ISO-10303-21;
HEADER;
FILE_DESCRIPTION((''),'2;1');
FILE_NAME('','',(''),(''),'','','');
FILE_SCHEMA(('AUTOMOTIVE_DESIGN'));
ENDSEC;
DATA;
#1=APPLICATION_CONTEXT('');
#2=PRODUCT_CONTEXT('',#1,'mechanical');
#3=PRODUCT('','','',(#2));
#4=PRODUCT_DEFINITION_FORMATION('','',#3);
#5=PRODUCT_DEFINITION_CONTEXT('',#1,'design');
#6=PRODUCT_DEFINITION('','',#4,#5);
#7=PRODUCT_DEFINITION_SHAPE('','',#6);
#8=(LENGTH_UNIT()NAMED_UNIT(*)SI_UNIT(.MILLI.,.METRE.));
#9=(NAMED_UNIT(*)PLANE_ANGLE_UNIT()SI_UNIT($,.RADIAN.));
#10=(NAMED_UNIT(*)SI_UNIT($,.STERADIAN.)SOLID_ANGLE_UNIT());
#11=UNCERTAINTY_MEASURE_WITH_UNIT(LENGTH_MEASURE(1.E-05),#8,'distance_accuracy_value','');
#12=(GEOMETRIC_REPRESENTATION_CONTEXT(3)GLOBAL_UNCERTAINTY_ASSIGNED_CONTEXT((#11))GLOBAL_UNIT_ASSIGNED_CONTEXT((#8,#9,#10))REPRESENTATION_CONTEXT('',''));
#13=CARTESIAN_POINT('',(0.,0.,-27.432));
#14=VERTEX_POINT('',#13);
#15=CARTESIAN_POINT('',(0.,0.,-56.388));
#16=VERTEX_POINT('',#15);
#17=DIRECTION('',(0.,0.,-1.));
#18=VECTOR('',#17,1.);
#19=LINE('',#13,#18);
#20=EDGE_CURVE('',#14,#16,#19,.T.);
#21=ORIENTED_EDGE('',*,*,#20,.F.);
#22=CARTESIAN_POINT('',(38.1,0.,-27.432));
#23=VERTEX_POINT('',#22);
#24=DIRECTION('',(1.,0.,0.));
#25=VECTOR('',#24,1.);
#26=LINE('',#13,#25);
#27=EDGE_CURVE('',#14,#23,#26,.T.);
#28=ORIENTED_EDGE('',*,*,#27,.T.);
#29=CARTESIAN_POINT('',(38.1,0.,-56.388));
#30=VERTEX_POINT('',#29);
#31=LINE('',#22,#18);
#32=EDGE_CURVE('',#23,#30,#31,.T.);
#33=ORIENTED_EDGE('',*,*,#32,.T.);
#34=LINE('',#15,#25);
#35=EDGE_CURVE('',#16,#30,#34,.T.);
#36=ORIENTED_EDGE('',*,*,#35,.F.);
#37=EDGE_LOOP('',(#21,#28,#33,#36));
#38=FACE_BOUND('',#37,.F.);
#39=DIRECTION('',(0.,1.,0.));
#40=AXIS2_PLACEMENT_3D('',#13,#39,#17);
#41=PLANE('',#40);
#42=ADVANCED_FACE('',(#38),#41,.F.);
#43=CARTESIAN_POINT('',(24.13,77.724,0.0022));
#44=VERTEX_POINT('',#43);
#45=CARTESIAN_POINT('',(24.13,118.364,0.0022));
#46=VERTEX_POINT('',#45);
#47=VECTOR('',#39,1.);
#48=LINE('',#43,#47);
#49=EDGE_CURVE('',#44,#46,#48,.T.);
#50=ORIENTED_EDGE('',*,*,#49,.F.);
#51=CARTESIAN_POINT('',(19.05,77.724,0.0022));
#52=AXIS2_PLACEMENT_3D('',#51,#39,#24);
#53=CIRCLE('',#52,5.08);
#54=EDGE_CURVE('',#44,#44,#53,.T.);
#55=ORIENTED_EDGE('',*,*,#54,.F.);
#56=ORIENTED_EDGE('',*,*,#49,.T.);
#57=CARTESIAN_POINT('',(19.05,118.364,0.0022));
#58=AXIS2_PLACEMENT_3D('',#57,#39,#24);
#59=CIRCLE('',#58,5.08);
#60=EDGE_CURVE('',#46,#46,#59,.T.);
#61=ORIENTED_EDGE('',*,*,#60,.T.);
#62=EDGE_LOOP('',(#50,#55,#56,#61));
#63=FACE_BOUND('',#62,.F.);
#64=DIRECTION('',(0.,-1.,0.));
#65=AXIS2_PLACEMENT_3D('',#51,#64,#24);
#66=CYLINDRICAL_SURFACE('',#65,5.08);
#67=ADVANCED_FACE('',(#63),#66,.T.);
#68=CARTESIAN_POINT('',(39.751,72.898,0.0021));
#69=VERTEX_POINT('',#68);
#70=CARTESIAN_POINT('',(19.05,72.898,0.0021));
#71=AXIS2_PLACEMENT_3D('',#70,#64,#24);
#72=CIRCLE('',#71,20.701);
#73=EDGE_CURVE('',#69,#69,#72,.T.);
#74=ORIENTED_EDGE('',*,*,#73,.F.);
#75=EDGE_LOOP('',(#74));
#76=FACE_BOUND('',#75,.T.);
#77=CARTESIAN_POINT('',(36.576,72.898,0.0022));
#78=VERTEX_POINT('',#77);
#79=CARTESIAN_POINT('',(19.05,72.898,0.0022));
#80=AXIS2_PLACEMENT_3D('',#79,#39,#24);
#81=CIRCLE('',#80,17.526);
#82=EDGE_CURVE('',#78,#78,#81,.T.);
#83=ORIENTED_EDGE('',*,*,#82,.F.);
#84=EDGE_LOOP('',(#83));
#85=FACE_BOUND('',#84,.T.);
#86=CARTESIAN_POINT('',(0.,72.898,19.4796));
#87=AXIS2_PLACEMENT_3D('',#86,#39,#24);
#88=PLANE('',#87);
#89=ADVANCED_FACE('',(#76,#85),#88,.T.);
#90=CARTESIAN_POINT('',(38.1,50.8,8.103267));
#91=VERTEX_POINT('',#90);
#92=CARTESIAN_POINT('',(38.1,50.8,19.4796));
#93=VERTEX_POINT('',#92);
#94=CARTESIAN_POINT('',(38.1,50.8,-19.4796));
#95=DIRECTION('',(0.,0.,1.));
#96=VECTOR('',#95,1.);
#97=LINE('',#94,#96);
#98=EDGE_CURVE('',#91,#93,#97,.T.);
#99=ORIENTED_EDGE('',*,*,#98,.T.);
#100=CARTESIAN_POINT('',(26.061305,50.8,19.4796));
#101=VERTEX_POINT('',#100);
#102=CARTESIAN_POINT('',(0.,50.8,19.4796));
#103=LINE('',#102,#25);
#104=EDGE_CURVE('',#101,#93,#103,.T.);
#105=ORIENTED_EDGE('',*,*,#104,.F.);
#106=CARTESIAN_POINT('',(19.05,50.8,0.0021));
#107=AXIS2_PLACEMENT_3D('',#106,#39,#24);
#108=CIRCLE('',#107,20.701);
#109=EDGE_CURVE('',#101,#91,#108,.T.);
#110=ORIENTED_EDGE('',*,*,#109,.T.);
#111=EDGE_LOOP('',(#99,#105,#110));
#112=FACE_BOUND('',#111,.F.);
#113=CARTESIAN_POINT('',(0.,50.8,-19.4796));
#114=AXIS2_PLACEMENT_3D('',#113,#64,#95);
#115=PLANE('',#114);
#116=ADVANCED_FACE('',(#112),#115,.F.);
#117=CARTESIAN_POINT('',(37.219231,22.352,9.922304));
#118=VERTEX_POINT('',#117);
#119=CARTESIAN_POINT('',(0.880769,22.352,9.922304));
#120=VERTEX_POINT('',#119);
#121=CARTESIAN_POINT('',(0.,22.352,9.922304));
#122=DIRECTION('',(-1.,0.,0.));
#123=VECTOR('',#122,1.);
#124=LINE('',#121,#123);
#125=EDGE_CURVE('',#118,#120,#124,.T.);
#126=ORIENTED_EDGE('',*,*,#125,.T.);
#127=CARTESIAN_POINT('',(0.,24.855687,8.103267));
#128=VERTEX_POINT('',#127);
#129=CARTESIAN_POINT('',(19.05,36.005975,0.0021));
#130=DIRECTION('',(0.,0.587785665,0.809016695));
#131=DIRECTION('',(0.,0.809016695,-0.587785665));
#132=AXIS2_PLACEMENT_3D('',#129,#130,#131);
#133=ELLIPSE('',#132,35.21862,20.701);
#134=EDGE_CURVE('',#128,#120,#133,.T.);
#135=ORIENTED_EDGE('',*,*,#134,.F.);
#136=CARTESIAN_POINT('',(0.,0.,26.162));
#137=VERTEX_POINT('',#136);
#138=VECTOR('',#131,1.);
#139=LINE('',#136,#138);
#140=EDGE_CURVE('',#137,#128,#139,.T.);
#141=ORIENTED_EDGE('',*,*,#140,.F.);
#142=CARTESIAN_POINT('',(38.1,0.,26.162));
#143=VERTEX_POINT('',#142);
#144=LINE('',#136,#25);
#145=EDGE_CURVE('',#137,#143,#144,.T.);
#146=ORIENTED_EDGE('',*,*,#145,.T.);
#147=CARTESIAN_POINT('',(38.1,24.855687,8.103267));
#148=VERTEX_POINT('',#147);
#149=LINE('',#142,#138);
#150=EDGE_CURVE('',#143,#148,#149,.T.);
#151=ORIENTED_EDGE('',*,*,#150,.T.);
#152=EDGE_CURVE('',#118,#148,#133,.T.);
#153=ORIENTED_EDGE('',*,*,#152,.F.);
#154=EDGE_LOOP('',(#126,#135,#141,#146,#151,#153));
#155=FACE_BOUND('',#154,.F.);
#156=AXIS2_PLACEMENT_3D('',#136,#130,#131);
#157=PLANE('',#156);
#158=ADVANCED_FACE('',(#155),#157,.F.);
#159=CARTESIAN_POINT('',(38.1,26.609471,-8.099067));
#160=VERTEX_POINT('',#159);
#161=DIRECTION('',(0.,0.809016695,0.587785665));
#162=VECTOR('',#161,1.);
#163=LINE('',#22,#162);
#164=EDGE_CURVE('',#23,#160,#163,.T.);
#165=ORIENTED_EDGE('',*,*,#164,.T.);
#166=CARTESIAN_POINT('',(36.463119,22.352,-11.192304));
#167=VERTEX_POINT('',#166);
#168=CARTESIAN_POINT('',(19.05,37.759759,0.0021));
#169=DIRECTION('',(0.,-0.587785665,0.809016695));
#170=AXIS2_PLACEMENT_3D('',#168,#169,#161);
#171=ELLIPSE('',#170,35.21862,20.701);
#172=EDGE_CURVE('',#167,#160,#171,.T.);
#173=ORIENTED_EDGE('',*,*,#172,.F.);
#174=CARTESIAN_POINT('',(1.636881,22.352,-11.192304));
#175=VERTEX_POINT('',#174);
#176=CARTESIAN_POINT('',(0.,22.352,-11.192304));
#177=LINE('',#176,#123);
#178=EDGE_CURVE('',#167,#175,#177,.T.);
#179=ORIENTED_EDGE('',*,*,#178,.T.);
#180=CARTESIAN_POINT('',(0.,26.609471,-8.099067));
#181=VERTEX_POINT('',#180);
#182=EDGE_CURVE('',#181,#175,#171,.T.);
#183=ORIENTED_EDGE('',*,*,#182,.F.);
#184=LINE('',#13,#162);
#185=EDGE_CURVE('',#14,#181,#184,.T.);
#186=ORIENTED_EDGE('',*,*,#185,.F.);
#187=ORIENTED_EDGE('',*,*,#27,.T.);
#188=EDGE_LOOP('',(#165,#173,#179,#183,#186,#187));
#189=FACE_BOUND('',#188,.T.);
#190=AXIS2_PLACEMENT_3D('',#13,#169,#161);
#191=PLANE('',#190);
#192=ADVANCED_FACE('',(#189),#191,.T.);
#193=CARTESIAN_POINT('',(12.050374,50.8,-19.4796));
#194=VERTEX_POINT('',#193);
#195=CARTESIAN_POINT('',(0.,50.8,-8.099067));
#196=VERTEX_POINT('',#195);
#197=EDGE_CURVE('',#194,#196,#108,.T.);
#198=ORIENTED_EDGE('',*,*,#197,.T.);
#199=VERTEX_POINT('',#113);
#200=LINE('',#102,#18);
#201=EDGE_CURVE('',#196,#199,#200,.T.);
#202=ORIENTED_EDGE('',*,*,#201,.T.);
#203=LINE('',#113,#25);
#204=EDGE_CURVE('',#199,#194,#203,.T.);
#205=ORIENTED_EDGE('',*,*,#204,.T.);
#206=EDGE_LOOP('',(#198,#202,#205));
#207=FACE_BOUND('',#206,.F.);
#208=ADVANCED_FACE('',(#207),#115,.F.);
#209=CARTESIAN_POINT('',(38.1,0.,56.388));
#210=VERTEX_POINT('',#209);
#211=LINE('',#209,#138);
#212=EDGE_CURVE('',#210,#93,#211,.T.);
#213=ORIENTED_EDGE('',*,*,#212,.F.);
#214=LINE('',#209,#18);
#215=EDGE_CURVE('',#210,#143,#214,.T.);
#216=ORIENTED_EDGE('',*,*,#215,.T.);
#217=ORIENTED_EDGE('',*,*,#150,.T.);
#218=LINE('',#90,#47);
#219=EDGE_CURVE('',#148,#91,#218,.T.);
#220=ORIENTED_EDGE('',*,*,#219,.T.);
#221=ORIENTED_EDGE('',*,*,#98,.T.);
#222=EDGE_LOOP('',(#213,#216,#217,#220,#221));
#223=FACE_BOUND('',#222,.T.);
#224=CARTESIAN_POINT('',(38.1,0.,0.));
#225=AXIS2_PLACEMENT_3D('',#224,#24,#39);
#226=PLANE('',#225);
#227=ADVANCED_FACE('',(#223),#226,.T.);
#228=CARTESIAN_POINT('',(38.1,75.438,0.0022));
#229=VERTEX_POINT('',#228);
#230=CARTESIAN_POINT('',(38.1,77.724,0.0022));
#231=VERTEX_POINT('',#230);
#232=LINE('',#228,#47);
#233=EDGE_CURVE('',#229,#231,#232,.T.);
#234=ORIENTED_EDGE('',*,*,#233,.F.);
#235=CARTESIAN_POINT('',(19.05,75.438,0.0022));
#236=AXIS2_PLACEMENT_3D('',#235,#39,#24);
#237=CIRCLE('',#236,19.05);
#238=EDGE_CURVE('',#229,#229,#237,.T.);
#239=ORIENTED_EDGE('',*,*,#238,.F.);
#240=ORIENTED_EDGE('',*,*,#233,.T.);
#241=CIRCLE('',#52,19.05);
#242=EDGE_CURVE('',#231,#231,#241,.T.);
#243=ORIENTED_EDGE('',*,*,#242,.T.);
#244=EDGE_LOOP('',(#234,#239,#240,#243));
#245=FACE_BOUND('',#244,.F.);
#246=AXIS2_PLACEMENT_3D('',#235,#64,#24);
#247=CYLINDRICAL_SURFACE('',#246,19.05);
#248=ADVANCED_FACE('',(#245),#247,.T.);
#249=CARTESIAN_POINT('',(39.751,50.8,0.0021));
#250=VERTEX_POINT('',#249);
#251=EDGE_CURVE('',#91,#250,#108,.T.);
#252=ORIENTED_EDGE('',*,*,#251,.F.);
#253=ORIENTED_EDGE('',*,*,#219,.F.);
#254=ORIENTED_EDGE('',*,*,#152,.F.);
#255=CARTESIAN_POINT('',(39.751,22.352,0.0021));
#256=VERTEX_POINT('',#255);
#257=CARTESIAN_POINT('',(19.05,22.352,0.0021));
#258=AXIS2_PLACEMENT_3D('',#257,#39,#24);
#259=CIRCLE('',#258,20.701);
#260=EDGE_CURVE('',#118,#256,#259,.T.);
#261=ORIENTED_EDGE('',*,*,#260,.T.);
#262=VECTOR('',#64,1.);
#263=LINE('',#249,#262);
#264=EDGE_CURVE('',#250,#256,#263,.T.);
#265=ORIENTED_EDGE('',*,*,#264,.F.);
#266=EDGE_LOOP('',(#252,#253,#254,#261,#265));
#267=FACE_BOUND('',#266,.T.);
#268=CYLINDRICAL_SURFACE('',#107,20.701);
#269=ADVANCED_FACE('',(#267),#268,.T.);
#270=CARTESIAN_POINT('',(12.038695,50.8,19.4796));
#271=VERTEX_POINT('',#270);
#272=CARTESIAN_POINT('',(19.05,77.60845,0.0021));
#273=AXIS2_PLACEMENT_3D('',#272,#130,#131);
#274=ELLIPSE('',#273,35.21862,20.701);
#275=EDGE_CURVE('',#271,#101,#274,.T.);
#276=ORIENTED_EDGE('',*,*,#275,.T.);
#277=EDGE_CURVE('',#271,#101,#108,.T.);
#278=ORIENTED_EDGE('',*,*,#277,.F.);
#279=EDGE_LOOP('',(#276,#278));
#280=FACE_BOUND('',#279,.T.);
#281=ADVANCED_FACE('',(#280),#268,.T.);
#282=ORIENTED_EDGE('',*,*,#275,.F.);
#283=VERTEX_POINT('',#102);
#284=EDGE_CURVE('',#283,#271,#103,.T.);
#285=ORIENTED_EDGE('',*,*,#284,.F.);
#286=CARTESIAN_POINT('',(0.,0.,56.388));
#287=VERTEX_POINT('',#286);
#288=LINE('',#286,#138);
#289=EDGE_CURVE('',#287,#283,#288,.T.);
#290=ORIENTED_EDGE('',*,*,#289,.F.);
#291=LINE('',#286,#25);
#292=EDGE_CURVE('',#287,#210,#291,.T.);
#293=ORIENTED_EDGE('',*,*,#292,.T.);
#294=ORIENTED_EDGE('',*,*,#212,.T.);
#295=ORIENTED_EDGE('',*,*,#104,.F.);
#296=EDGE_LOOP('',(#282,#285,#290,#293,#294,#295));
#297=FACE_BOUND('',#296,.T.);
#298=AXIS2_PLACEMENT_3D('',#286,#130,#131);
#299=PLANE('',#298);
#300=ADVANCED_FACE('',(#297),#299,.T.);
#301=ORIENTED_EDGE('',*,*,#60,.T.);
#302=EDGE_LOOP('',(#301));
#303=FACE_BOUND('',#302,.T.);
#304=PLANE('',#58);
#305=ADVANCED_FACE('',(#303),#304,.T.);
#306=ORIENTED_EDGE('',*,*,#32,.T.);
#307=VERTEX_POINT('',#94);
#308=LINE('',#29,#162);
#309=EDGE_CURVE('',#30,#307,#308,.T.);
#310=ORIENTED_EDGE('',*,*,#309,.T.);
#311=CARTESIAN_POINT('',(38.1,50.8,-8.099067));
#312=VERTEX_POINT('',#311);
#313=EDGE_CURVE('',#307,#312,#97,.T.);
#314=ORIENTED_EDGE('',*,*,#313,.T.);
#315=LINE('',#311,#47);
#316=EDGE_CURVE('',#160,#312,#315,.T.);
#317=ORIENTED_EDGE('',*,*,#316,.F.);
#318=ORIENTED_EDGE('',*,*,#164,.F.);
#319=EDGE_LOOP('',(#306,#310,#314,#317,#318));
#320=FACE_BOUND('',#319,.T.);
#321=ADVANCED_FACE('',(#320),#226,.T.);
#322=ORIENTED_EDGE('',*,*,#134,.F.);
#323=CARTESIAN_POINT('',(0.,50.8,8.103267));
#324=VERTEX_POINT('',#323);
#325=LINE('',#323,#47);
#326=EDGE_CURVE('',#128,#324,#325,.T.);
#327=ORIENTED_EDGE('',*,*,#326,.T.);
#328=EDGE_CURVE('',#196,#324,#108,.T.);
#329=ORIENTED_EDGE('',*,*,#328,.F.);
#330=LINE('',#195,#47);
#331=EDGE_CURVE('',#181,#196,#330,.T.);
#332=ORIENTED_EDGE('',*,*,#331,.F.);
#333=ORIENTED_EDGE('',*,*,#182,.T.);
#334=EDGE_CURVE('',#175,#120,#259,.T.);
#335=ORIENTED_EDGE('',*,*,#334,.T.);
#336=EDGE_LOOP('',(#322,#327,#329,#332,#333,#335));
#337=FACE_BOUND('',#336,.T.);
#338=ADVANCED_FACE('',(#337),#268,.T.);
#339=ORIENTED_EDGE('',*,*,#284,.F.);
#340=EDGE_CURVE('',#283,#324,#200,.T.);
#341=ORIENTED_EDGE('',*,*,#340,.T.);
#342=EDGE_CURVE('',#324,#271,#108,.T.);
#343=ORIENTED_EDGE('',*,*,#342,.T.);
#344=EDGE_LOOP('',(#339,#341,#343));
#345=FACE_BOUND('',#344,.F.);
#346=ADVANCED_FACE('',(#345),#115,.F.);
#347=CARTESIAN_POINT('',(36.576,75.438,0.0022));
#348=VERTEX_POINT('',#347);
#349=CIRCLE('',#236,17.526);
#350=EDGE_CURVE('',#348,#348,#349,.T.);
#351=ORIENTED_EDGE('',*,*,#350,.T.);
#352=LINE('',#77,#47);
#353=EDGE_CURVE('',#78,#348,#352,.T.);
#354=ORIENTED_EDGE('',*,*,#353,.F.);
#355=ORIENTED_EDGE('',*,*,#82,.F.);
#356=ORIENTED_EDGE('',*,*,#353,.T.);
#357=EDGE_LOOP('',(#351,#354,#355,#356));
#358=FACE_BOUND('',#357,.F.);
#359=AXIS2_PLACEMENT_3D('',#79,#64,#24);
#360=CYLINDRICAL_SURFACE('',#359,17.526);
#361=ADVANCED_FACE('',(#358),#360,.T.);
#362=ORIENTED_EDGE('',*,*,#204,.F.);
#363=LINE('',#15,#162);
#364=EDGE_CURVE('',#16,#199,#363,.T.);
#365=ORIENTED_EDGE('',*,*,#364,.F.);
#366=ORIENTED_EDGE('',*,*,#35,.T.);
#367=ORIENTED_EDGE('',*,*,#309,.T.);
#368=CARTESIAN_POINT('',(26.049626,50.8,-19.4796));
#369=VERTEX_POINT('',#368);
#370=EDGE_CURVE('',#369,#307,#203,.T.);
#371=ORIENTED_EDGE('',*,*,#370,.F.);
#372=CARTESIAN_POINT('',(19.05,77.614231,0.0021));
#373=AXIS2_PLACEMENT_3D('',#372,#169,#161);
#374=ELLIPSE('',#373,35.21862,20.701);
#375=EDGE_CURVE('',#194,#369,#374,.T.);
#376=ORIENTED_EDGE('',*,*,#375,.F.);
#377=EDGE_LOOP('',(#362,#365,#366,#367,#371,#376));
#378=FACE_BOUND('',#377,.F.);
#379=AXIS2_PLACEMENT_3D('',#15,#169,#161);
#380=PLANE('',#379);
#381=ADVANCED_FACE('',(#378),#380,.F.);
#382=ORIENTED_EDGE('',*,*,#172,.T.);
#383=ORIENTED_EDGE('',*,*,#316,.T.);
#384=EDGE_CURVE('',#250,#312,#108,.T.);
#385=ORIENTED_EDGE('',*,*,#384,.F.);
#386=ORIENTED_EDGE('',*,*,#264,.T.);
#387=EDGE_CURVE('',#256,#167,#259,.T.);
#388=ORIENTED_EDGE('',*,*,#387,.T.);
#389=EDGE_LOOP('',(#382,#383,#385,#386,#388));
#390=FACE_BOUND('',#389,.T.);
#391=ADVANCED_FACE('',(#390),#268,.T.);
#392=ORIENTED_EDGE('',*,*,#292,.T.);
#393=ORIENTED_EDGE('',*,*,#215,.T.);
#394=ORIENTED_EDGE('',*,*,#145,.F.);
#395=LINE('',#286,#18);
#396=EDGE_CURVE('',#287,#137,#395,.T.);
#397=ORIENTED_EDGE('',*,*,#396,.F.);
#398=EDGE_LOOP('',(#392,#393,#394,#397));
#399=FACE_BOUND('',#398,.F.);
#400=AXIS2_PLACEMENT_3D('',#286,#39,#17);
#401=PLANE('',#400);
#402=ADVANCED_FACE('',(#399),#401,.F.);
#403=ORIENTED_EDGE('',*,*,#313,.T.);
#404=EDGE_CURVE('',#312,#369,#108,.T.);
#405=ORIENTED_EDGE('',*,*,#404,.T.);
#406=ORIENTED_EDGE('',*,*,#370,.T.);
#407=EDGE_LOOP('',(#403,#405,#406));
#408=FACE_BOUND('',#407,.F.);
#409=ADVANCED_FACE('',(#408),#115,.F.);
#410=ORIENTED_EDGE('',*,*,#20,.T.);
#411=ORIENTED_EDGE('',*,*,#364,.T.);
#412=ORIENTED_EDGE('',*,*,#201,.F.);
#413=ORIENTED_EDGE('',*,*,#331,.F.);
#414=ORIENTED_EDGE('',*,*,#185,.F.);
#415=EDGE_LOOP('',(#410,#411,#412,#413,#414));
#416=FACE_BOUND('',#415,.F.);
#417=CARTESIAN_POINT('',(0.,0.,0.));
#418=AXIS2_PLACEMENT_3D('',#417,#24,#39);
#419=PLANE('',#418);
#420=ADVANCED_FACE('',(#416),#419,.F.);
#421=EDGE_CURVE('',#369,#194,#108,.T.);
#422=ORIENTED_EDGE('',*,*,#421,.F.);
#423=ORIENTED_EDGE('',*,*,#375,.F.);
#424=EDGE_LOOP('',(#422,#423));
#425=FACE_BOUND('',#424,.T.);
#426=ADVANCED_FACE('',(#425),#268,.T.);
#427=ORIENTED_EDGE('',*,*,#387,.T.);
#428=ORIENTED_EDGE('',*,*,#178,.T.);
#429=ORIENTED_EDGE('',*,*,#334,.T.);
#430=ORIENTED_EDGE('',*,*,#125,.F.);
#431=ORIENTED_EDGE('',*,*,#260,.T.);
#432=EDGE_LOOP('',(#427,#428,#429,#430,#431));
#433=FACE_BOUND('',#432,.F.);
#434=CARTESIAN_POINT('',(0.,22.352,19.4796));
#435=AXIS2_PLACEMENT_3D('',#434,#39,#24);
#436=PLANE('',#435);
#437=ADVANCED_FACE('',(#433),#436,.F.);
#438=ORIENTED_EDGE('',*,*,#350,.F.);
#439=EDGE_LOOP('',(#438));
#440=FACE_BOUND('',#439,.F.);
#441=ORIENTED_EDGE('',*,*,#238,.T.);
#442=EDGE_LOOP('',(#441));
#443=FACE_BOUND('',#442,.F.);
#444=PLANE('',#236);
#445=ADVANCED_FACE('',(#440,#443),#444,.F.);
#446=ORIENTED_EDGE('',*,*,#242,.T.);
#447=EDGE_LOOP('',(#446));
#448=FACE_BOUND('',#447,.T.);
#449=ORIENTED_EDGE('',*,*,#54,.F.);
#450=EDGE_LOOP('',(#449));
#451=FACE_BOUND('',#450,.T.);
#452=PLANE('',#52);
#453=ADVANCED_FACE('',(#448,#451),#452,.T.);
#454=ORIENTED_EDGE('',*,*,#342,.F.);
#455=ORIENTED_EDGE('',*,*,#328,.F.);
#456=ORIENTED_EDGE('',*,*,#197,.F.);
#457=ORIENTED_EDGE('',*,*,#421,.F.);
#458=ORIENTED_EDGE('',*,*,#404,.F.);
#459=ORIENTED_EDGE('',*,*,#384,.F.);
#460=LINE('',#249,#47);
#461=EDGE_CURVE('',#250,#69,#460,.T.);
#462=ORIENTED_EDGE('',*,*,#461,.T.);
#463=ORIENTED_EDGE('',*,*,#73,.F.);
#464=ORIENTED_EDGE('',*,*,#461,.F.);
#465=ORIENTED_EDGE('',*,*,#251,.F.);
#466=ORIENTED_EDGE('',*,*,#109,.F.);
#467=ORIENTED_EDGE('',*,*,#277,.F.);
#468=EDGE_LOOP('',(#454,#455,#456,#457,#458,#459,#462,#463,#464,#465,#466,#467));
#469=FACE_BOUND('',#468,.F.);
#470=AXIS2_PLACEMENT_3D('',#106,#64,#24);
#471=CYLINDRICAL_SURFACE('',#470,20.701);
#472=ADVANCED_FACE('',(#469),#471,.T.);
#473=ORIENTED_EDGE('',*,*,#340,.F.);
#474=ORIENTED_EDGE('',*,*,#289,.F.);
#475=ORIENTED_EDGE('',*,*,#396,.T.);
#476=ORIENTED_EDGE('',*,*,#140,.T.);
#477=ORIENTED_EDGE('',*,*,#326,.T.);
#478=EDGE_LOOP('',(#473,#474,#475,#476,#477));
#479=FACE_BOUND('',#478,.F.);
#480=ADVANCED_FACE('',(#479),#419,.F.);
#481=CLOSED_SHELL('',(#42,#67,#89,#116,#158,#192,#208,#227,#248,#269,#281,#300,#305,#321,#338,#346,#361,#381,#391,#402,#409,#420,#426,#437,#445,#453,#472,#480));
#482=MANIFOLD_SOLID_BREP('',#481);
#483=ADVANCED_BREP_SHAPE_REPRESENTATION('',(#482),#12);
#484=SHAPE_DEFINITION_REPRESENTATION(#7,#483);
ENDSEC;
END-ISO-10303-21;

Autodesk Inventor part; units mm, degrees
ref_plane "YZ Plane" through (0, 0, 0) normal (1, 0, 0) x (0, 1, 0)
ref_plane "XZ Plane" through (0, 0, 0) normal (0, 1, 0) x (-1, 0, 0)
ref_plane "XY Plane" through (0, 0, 0) normal (0, 0, 1) x (1, 0, 0)
sketch "Sketch3" plane through (0, 0, 0) normal (1, 0, 0) x (0, 1, 0)
  line L0 (0, -27.432) -> (0, -56.388)
  line L1 (0, -56.388) -> (50.8, -19.4796)
  line L2 (50.8, -19.4796) -> (50.8, 9.4764)
  line L3 (7.4884, -44.196) -> (-9.6833, -44.196) construction
  line L4 (0, -27.432) -> (50.8, 9.4764)
  line L5 (0, 56.388) -> (50.8, 19.4796)
  line L6 (50.8, 19.4796) -> (50.8, -10.7464)
  line L7 (0, 56.388) -> (0, 26.162)
  line L8 (0, 26.162) -> (50.8, -10.7464)
  point P0 (0, 0)
  dimension "d23" = 54
  dimension "d25" = 44.196
  dimension "d26" = 16.764
  dimension "d27" = 12.192
  dimension "d28" = 50.8
  dimension "d33" = 0
  dimension "d34" = 54
  dimension "d35" = 50.8
  dimension "d36" = 53.594
  dimension "d37" = 112.776
extrude "Extrusion1" add sketch "Sketch3" along normal blind 38.1
sketch "Sketch5" plane through (0, 50.8, 19.4796) normal (0, 1, 0) x (1, 0, 0)
  circle A0 centre (19.05, 19.4775) radius 20.701
  line L0 (0, 38.9593) -> (38.1, 38.9593) projected
  line L1 (38.1, 38.9593) -> (38.1, 0) projected
  line L2 (0, 0) -> (38.1, 0) projected
  line L3 (38.1, 0) -> (0, 0) projected
  line L4 (0, 0) -> (0, 38.9593) projected
  line L5 (0, 38.9593) -> (38.1, 38.9593) projected
  line L6 (38.1, 38.9593) -> (38.1, 0) projected
  point P0 (0, 19.4796)
  dimension "d40" = 41.402
  dimension "d42" = 19.05
  dimension "d43" = 38.9593
  dimension "d44" = 19.4818
extrude "Extrusion2" add sketch "Sketch5" along normal blind 22.098 contours A0 L1 | L1 A0 L2 L4 L0 | L0 A0 | A0 L2 | L4 A0
extrude "Extrusion3" add sketch "Sketch5" against normal blind 28.448 contours A0 L1 | L1 A0 L2 L4 L0 | L0 A0 | A0 L2 | L4 A0
sketch "Sketch8" plane through (19.05, 72.898, 0.0022) normal (0, 1, 0) x (1, 0, 0)
  circle A0 centre (0, 0) radius 17.526
  circle A1 centre (0, 0) radius 20.701 projected
  point P0 (-19.05, 0.0022)
  dimension "d50" = 35.052
extrude "Extrusion4" add sketch "Sketch8" along normal blind 2.54 contours A0
sketch "Sketch9" plane through (19.05, 75.438, 0.0022) normal (0, 1, 0) x (1, 0, 0)
  circle A0 centre (0, 0) radius 19.05
  circle A1 centre (0, 0) radius 17.526 projected
  point P0 (-19.05, 0.0022)
  dimension "d53" = 38.1
extrude "Extrusion5" add sketch "Sketch9" along normal blind 2.286 contours A0 | A1
sketch "Sketch10" plane through (19.05, 77.724, 0.0022) normal (0, 1, 0) x (1, 0, 0)
  circle A0 centre (0, 0) radius 5.08
  circle A1 centre (0, 0) radius 19.05 projected
  point P0 (-19.05, 0.0022)
  dimension "d56" = 10.16
extrude "Extrusion6" add sketch "Sketch10" along normal blind 40.64 contours A0
properties part number "gear mount"
